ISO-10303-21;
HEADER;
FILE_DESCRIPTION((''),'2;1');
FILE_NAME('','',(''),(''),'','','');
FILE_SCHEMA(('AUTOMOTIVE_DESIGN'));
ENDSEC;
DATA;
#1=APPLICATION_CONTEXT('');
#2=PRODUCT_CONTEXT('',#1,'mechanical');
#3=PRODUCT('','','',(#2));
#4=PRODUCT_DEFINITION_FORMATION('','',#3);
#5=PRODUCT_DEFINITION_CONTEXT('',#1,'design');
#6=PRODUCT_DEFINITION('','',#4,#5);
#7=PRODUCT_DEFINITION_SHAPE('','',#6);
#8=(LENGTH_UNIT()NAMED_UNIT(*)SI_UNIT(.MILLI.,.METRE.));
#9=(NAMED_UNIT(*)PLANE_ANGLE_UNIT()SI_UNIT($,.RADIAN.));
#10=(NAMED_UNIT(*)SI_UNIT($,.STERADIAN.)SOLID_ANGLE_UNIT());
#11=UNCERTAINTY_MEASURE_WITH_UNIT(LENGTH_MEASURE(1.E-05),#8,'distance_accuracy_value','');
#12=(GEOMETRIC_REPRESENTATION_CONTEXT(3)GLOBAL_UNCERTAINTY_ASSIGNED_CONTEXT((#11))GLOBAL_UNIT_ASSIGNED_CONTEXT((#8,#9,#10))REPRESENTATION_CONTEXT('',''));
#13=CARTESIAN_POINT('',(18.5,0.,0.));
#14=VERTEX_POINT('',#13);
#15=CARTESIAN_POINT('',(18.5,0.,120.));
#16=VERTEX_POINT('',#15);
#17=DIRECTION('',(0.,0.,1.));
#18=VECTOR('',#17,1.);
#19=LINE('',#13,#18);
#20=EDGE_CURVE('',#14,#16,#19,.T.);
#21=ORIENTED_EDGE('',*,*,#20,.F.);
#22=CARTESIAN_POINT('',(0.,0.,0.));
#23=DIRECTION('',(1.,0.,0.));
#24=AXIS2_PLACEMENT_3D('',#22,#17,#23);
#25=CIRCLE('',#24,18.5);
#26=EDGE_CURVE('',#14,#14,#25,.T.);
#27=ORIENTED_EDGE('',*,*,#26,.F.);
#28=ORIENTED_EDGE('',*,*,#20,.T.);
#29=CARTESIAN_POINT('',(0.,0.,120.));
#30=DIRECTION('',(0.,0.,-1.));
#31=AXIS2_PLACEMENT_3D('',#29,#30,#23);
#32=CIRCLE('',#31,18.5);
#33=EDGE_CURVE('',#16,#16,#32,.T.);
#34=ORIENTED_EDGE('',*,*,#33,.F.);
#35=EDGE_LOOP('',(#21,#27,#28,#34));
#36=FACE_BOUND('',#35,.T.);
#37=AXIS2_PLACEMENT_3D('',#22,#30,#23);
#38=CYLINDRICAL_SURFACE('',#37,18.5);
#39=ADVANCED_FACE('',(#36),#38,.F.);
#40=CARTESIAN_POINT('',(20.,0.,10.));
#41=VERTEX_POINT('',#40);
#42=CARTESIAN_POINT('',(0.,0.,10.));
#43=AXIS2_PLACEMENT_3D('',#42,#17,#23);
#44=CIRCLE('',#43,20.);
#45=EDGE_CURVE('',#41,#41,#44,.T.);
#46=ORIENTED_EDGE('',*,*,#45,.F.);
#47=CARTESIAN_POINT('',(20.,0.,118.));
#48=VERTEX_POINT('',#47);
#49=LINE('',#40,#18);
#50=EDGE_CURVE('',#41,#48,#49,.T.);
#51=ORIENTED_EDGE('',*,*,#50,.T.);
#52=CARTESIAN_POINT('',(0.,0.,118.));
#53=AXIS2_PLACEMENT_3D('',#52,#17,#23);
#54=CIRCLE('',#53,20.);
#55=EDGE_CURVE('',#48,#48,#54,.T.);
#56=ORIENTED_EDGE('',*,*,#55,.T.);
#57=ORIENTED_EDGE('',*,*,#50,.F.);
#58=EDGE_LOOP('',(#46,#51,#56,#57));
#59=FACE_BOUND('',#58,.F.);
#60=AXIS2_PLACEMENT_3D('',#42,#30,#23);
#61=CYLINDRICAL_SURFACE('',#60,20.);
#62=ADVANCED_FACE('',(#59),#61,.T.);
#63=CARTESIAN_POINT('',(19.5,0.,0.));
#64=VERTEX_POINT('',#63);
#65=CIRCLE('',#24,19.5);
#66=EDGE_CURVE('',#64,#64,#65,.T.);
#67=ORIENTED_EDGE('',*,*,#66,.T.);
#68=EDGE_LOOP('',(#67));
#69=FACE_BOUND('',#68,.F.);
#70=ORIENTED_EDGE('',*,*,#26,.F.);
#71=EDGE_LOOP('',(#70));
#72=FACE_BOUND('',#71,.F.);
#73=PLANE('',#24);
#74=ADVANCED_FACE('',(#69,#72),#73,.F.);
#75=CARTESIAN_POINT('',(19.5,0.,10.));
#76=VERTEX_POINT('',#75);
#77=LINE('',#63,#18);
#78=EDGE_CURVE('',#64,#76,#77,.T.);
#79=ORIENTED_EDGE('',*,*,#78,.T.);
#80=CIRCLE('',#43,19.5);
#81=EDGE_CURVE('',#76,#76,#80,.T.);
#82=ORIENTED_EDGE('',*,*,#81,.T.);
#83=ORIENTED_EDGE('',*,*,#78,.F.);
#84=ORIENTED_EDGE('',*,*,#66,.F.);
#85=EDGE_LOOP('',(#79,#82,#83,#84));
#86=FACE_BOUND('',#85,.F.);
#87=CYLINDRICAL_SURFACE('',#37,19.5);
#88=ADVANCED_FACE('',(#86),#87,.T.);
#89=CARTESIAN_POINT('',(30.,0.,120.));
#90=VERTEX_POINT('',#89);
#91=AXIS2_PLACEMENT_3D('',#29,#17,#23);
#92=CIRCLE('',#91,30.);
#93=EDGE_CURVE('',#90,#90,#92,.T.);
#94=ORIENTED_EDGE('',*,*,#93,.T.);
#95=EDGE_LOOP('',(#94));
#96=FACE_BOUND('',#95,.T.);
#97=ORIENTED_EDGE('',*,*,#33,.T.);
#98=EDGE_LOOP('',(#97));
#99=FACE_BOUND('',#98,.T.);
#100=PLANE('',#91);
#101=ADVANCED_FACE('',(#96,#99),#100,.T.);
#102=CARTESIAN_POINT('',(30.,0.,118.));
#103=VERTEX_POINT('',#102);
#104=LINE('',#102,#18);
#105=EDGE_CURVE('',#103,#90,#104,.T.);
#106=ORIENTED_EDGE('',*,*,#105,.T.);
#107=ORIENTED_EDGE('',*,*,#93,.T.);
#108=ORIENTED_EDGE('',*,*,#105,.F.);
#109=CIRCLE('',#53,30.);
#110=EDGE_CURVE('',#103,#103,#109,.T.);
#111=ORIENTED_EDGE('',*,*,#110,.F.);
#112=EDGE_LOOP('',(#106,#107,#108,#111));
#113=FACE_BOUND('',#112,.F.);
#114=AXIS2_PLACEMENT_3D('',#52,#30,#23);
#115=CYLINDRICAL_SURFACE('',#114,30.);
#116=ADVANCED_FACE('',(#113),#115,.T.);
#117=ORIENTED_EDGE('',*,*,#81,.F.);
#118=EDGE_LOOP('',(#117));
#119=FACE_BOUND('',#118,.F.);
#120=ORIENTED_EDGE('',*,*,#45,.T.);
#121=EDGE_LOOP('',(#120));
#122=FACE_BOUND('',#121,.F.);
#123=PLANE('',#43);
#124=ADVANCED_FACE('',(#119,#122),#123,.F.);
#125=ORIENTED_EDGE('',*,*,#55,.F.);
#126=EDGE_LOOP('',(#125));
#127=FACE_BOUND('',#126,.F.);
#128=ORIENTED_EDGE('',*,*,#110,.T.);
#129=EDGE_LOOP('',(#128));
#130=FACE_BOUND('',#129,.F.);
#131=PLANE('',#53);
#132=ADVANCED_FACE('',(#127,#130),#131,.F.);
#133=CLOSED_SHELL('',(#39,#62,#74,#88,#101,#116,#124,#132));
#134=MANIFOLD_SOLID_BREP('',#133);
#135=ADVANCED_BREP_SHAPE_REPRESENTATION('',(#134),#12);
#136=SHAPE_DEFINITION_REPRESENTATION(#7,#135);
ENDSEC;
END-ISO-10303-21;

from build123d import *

# Parameters (mm, degrees)
SKETCH_R      = 19.5
PAD_DEPTH     = 10
PAD001_START  = 10
SKETCH002_R   = 20
PAD001_DEPTH  = 110
SKETCH003_R   = 18.5
POCKET_DEPTH  = 120.001
PAD003_START  = 118
SKETCH007_R   = 30
SKETCH007_R_2 = 20
PAD003_DEPTH  = 2


with BuildPart() as part:
    # Sketch → Pad (new body)
    with BuildSketch(Plane.XY):
        Circle(SKETCH_R)
    extrude(amount=PAD_DEPTH)

    # Sketch002 → Pad001 (join)
    with BuildSketch(Plane.XY.offset(PAD001_START)):
        Circle(SKETCH002_R)
    extrude(amount=PAD001_DEPTH)

    # Sketch003 → Pocket (cut, through all)
    with BuildSketch(Plane.XY):
        Circle(SKETCH003_R)
    extrude(amount=POCKET_DEPTH, mode=Mode.SUBTRACT)

    # Sketch007 → Pad003 (join)
    with BuildSketch(Plane.XY.offset(PAD003_START)):
        Circle(SKETCH007_R)
        Circle(SKETCH007_R_2, mode=Mode.SUBTRACT)
    extrude(amount=PAD003_DEPTH)


solid = part.part
